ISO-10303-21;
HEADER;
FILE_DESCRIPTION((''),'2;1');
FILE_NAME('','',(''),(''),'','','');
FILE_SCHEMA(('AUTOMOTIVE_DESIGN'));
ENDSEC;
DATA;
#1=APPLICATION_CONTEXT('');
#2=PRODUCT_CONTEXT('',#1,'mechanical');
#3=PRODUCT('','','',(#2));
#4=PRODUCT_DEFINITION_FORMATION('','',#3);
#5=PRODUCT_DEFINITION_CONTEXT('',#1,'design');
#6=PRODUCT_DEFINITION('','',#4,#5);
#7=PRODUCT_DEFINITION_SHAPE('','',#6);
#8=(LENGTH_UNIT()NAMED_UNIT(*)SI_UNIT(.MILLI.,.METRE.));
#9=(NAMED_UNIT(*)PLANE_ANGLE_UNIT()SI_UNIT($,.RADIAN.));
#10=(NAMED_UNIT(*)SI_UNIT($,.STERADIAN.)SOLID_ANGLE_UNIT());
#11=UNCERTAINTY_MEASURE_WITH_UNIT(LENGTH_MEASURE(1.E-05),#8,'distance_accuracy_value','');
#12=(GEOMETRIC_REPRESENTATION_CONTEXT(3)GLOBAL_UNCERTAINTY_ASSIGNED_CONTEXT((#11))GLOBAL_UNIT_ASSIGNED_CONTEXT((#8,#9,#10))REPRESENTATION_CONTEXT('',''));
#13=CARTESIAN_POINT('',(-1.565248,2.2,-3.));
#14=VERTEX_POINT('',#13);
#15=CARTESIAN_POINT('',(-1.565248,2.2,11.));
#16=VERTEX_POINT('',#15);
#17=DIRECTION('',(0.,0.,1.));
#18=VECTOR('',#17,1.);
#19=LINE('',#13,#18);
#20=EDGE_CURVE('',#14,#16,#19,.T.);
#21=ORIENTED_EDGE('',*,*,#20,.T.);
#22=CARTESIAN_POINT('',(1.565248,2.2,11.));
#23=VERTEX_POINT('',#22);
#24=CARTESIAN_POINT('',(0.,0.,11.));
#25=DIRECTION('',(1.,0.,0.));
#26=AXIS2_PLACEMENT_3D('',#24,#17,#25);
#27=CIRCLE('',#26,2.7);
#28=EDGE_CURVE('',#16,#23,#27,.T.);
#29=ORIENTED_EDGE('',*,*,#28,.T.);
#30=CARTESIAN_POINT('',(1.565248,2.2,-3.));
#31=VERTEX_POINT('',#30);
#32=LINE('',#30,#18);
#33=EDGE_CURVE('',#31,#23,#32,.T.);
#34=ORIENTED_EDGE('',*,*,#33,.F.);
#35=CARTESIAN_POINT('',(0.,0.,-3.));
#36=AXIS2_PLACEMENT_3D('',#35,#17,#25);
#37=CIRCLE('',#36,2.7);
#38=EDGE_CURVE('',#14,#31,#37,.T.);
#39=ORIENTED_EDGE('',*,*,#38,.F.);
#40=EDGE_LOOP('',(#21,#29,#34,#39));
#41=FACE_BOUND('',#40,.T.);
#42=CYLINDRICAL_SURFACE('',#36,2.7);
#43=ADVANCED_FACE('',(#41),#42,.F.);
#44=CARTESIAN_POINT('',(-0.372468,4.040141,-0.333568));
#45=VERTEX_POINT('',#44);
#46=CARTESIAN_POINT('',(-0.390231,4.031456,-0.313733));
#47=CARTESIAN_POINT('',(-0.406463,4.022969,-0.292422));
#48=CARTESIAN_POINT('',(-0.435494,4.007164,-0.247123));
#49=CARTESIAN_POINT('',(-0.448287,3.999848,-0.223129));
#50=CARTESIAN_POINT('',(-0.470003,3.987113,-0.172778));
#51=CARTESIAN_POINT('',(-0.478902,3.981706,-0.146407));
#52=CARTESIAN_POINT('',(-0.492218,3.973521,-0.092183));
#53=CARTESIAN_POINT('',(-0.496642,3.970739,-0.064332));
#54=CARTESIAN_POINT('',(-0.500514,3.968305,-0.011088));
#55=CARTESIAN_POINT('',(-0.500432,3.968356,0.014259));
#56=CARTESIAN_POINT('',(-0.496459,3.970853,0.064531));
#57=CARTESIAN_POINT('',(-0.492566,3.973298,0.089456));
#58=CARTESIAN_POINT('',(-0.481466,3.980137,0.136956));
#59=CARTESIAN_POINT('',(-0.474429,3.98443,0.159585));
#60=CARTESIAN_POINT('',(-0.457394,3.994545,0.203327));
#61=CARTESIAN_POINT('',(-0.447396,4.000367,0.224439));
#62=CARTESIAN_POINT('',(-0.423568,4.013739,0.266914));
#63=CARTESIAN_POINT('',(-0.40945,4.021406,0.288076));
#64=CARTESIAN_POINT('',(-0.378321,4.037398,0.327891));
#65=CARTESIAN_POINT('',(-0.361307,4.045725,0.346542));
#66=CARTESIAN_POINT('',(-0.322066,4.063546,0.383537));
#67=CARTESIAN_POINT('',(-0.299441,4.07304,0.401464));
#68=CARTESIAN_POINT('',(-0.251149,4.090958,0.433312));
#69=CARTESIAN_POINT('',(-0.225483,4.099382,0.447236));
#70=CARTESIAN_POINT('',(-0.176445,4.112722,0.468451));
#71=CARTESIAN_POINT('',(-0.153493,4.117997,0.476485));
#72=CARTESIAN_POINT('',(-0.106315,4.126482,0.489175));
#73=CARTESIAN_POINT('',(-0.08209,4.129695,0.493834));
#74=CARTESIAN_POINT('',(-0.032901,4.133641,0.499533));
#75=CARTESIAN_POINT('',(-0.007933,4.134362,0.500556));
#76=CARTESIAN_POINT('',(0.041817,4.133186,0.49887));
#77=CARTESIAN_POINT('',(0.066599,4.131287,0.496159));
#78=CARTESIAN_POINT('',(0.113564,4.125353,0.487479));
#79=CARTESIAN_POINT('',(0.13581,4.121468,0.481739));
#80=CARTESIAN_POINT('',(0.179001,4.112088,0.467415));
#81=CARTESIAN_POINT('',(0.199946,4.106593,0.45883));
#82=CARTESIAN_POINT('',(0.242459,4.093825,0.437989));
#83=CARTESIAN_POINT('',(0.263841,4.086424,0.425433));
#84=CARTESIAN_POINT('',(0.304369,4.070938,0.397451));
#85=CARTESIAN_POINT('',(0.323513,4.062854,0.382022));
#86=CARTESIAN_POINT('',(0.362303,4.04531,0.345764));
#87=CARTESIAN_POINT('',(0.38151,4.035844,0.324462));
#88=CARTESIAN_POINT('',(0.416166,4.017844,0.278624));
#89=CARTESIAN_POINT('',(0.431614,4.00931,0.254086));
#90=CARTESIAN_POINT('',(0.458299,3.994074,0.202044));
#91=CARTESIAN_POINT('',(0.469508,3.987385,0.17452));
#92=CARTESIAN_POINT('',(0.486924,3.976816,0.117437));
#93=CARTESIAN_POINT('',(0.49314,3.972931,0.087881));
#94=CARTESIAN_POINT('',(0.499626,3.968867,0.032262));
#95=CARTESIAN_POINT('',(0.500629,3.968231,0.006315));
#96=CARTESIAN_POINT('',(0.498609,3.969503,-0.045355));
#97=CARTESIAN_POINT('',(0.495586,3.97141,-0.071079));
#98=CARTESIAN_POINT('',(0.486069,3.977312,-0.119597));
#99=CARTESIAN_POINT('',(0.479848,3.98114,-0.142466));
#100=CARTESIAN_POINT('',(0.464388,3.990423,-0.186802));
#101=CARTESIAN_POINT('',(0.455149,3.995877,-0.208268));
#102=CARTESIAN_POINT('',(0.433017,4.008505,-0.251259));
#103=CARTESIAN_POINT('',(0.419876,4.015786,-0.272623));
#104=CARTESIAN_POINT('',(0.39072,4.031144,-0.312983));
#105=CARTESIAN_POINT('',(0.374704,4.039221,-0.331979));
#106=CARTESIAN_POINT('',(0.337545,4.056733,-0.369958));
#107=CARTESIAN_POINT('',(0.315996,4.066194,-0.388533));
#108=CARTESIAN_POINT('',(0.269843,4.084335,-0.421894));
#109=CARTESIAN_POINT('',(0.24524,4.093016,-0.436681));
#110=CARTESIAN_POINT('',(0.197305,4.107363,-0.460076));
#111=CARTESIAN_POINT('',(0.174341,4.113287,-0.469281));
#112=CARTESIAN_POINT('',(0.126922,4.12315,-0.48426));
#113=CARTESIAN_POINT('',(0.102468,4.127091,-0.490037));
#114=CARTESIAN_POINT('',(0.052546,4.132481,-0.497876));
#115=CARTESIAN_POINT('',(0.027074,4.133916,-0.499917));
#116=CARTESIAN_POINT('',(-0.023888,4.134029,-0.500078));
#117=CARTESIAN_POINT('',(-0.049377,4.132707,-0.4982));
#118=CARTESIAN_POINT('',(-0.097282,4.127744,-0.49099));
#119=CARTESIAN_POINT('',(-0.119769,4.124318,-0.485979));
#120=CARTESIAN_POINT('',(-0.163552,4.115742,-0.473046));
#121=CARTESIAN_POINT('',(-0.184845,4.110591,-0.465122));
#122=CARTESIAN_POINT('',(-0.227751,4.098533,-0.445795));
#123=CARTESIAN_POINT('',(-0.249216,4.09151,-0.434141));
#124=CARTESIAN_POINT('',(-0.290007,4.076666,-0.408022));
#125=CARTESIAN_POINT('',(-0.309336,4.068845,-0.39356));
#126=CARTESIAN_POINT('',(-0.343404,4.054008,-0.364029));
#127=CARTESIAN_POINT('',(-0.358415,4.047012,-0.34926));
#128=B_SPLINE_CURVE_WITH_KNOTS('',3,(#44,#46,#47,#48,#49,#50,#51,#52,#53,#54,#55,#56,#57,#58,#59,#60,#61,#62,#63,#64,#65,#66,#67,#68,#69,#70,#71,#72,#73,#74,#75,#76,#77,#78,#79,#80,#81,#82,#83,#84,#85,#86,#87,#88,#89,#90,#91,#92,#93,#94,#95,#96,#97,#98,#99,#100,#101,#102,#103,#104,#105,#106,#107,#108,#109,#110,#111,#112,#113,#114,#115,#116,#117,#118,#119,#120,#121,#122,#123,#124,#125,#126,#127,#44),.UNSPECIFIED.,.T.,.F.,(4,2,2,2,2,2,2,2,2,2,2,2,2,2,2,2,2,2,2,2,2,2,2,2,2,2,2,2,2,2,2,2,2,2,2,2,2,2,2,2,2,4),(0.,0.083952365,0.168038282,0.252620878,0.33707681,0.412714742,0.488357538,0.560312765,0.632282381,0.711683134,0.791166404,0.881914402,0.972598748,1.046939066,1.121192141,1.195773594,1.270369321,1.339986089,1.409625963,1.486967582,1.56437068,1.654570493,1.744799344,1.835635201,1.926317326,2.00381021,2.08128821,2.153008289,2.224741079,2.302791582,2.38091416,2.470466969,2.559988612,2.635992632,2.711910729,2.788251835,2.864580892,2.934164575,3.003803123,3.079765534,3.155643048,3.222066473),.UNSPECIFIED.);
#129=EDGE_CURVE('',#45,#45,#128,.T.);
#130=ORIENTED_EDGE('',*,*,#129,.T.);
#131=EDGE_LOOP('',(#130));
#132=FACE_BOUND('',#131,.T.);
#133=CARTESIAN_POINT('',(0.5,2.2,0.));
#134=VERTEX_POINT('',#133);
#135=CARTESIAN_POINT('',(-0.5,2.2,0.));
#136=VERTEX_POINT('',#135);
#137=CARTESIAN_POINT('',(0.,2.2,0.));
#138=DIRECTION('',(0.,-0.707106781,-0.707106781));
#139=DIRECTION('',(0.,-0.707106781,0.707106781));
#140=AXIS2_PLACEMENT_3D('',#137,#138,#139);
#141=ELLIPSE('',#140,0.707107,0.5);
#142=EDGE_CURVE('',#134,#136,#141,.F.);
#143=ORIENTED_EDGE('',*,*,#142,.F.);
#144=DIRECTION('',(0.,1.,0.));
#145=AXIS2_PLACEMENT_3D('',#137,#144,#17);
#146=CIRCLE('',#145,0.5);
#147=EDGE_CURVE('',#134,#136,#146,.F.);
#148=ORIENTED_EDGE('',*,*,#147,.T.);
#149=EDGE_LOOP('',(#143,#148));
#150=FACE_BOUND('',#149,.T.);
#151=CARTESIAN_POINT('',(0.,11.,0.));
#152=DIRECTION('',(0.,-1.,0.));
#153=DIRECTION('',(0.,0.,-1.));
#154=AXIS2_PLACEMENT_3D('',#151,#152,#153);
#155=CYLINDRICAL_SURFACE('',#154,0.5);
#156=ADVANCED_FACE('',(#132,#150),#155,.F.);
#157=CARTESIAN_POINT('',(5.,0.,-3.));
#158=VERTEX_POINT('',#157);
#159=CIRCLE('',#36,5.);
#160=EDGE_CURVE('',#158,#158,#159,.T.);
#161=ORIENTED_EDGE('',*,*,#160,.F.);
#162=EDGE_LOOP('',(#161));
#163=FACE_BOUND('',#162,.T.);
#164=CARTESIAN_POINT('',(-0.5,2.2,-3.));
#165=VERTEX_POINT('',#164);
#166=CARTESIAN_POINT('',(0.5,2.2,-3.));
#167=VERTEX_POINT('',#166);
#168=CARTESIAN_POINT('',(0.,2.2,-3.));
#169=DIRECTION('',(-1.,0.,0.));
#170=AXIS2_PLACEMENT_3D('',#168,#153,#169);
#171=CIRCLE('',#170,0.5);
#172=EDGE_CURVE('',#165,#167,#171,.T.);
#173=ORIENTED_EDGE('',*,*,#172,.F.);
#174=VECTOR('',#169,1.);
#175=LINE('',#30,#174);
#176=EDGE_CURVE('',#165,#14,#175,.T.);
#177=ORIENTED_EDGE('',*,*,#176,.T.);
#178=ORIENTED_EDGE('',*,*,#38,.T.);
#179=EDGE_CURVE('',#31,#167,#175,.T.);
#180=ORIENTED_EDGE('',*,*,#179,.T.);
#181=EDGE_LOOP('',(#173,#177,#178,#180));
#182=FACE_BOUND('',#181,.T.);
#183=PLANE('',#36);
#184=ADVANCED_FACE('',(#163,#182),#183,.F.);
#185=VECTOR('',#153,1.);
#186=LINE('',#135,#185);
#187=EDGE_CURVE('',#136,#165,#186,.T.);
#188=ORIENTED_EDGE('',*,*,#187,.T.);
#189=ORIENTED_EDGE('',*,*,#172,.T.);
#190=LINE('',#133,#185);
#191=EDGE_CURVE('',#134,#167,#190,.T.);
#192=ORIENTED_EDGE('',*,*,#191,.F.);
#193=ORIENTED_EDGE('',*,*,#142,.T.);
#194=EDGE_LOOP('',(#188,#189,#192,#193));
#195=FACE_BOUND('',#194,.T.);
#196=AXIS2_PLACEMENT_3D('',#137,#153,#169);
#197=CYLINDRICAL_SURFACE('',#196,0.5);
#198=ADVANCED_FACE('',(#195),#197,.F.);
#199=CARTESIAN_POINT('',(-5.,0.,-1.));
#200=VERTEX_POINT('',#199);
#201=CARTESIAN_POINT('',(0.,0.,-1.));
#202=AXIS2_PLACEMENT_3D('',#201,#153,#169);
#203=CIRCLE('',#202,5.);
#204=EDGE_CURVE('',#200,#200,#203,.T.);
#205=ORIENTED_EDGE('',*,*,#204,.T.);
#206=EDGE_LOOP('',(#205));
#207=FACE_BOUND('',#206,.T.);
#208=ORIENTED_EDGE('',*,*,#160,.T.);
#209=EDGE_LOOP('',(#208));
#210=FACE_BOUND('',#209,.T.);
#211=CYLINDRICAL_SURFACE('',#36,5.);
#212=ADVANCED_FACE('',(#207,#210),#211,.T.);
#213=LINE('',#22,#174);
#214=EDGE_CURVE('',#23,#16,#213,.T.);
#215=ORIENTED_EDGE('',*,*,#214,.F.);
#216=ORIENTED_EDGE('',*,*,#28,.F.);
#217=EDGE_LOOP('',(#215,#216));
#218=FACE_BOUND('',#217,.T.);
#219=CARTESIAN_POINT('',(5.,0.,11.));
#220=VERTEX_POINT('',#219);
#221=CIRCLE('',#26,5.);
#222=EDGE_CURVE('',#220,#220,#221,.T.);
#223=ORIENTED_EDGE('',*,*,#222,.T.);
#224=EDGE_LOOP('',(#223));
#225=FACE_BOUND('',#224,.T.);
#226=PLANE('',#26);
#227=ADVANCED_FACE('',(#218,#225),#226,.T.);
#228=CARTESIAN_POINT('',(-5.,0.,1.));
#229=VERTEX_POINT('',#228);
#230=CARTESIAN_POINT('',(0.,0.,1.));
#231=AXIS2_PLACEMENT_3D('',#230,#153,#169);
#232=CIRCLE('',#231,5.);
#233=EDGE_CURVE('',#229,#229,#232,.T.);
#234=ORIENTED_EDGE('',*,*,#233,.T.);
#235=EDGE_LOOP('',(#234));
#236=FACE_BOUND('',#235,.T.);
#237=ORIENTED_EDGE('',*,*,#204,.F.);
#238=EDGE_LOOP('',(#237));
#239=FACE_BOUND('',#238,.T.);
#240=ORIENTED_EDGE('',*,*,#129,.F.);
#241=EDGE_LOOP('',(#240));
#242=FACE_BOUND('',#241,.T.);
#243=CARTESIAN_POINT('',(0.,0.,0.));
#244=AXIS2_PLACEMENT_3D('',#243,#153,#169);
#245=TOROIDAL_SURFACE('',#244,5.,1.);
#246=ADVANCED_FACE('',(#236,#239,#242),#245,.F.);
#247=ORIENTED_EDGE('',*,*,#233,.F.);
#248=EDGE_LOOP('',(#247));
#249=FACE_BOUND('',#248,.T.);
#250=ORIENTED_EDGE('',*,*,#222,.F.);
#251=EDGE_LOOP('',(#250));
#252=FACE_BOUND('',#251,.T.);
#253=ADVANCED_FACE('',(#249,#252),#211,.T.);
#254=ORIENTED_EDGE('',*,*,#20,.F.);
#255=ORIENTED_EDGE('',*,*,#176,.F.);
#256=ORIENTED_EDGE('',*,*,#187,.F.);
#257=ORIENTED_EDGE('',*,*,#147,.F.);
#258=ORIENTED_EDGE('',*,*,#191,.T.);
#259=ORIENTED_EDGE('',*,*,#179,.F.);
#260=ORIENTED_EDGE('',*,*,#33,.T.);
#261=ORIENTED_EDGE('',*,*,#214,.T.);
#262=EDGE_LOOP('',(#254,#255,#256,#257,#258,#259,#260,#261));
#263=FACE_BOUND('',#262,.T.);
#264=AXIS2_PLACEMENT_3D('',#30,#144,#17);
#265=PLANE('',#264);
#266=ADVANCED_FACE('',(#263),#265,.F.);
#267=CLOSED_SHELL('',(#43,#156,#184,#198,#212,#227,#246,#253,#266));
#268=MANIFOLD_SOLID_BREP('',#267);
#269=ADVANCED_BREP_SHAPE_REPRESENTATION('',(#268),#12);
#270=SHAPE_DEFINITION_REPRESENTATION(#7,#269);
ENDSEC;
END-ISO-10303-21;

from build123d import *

# Parameters (mm, degrees)
SKETCH1_R                = 5
BOSS_EXTRUDE1_DEPTH      = 11
BOSS_EXTRUDE1_DEPTH_BACK = 3
SKETCH3_R                = 0.5
CUT_EXTRUDE1_DEPTH       = 11
CUT_EXTRUDE2_DEPTH       = 3


with BuildPart() as part:
    # Sketch1 → Boss-Extrude1 (new body, two sides)
    with BuildSketch(Plane.XY) as boss_extrude1_sk:
        Circle(SKETCH1_R)
        with BuildLine():
            Line((1.565247584, 2.2), (-1.565247584, 2.2))
            ThreePointArc((-1.565247584, 2.2), (0, -2.7), (1.565247584, 2.2))
        make_face(mode=Mode.SUBTRACT)
    extrude(amount=BOSS_EXTRUDE1_DEPTH)
    extrude(boss_extrude1_sk.sketch, amount=-BOSS_EXTRUDE1_DEPTH_BACK)

    # Sketch2 → Cut-Revolve1 (revolve, cut)
    with BuildSketch(Plane(origin=(0, 0, 0), x_dir=(0, 0, -1), z_dir=(1, 0, 0))):
        with BuildLine():
            Line((1, 5), (-1, 5))
            ThreePointArc((-1, 5), (0, 4), (1, 5))
        make_face()
    revolve(axis=Axis((0, 0, 0), (0, 0, 1)), mode=Mode.SUBTRACT)

    # Sketch3 → Cut-Extrude1 (cut)
    with BuildSketch(Plane(origin=(0, 0, 0), x_dir=(1, 0, 0), z_dir=(0, 1, 0))):
        Circle(SKETCH3_R)
    extrude(amount=CUT_EXTRUDE1_DEPTH, mode=Mode.SUBTRACT)

    # Sketch4 → Cut-Extrude2 (cut)
    with BuildSketch(Plane(origin=(0, 0, -3), x_dir=(-1, 0, 0), z_dir=(0, 0, -1))):
        with BuildLine():
            Line((-0.5, 2.2), (0.5, 2.2))
            ThreePointArc((0.5, 2.2), (0, 2.7), (-0.5, 2.2))
        make_face()
    extrude(amount=-CUT_EXTRUDE2_DEPTH, mode=Mode.SUBTRACT)


solid = part.part
